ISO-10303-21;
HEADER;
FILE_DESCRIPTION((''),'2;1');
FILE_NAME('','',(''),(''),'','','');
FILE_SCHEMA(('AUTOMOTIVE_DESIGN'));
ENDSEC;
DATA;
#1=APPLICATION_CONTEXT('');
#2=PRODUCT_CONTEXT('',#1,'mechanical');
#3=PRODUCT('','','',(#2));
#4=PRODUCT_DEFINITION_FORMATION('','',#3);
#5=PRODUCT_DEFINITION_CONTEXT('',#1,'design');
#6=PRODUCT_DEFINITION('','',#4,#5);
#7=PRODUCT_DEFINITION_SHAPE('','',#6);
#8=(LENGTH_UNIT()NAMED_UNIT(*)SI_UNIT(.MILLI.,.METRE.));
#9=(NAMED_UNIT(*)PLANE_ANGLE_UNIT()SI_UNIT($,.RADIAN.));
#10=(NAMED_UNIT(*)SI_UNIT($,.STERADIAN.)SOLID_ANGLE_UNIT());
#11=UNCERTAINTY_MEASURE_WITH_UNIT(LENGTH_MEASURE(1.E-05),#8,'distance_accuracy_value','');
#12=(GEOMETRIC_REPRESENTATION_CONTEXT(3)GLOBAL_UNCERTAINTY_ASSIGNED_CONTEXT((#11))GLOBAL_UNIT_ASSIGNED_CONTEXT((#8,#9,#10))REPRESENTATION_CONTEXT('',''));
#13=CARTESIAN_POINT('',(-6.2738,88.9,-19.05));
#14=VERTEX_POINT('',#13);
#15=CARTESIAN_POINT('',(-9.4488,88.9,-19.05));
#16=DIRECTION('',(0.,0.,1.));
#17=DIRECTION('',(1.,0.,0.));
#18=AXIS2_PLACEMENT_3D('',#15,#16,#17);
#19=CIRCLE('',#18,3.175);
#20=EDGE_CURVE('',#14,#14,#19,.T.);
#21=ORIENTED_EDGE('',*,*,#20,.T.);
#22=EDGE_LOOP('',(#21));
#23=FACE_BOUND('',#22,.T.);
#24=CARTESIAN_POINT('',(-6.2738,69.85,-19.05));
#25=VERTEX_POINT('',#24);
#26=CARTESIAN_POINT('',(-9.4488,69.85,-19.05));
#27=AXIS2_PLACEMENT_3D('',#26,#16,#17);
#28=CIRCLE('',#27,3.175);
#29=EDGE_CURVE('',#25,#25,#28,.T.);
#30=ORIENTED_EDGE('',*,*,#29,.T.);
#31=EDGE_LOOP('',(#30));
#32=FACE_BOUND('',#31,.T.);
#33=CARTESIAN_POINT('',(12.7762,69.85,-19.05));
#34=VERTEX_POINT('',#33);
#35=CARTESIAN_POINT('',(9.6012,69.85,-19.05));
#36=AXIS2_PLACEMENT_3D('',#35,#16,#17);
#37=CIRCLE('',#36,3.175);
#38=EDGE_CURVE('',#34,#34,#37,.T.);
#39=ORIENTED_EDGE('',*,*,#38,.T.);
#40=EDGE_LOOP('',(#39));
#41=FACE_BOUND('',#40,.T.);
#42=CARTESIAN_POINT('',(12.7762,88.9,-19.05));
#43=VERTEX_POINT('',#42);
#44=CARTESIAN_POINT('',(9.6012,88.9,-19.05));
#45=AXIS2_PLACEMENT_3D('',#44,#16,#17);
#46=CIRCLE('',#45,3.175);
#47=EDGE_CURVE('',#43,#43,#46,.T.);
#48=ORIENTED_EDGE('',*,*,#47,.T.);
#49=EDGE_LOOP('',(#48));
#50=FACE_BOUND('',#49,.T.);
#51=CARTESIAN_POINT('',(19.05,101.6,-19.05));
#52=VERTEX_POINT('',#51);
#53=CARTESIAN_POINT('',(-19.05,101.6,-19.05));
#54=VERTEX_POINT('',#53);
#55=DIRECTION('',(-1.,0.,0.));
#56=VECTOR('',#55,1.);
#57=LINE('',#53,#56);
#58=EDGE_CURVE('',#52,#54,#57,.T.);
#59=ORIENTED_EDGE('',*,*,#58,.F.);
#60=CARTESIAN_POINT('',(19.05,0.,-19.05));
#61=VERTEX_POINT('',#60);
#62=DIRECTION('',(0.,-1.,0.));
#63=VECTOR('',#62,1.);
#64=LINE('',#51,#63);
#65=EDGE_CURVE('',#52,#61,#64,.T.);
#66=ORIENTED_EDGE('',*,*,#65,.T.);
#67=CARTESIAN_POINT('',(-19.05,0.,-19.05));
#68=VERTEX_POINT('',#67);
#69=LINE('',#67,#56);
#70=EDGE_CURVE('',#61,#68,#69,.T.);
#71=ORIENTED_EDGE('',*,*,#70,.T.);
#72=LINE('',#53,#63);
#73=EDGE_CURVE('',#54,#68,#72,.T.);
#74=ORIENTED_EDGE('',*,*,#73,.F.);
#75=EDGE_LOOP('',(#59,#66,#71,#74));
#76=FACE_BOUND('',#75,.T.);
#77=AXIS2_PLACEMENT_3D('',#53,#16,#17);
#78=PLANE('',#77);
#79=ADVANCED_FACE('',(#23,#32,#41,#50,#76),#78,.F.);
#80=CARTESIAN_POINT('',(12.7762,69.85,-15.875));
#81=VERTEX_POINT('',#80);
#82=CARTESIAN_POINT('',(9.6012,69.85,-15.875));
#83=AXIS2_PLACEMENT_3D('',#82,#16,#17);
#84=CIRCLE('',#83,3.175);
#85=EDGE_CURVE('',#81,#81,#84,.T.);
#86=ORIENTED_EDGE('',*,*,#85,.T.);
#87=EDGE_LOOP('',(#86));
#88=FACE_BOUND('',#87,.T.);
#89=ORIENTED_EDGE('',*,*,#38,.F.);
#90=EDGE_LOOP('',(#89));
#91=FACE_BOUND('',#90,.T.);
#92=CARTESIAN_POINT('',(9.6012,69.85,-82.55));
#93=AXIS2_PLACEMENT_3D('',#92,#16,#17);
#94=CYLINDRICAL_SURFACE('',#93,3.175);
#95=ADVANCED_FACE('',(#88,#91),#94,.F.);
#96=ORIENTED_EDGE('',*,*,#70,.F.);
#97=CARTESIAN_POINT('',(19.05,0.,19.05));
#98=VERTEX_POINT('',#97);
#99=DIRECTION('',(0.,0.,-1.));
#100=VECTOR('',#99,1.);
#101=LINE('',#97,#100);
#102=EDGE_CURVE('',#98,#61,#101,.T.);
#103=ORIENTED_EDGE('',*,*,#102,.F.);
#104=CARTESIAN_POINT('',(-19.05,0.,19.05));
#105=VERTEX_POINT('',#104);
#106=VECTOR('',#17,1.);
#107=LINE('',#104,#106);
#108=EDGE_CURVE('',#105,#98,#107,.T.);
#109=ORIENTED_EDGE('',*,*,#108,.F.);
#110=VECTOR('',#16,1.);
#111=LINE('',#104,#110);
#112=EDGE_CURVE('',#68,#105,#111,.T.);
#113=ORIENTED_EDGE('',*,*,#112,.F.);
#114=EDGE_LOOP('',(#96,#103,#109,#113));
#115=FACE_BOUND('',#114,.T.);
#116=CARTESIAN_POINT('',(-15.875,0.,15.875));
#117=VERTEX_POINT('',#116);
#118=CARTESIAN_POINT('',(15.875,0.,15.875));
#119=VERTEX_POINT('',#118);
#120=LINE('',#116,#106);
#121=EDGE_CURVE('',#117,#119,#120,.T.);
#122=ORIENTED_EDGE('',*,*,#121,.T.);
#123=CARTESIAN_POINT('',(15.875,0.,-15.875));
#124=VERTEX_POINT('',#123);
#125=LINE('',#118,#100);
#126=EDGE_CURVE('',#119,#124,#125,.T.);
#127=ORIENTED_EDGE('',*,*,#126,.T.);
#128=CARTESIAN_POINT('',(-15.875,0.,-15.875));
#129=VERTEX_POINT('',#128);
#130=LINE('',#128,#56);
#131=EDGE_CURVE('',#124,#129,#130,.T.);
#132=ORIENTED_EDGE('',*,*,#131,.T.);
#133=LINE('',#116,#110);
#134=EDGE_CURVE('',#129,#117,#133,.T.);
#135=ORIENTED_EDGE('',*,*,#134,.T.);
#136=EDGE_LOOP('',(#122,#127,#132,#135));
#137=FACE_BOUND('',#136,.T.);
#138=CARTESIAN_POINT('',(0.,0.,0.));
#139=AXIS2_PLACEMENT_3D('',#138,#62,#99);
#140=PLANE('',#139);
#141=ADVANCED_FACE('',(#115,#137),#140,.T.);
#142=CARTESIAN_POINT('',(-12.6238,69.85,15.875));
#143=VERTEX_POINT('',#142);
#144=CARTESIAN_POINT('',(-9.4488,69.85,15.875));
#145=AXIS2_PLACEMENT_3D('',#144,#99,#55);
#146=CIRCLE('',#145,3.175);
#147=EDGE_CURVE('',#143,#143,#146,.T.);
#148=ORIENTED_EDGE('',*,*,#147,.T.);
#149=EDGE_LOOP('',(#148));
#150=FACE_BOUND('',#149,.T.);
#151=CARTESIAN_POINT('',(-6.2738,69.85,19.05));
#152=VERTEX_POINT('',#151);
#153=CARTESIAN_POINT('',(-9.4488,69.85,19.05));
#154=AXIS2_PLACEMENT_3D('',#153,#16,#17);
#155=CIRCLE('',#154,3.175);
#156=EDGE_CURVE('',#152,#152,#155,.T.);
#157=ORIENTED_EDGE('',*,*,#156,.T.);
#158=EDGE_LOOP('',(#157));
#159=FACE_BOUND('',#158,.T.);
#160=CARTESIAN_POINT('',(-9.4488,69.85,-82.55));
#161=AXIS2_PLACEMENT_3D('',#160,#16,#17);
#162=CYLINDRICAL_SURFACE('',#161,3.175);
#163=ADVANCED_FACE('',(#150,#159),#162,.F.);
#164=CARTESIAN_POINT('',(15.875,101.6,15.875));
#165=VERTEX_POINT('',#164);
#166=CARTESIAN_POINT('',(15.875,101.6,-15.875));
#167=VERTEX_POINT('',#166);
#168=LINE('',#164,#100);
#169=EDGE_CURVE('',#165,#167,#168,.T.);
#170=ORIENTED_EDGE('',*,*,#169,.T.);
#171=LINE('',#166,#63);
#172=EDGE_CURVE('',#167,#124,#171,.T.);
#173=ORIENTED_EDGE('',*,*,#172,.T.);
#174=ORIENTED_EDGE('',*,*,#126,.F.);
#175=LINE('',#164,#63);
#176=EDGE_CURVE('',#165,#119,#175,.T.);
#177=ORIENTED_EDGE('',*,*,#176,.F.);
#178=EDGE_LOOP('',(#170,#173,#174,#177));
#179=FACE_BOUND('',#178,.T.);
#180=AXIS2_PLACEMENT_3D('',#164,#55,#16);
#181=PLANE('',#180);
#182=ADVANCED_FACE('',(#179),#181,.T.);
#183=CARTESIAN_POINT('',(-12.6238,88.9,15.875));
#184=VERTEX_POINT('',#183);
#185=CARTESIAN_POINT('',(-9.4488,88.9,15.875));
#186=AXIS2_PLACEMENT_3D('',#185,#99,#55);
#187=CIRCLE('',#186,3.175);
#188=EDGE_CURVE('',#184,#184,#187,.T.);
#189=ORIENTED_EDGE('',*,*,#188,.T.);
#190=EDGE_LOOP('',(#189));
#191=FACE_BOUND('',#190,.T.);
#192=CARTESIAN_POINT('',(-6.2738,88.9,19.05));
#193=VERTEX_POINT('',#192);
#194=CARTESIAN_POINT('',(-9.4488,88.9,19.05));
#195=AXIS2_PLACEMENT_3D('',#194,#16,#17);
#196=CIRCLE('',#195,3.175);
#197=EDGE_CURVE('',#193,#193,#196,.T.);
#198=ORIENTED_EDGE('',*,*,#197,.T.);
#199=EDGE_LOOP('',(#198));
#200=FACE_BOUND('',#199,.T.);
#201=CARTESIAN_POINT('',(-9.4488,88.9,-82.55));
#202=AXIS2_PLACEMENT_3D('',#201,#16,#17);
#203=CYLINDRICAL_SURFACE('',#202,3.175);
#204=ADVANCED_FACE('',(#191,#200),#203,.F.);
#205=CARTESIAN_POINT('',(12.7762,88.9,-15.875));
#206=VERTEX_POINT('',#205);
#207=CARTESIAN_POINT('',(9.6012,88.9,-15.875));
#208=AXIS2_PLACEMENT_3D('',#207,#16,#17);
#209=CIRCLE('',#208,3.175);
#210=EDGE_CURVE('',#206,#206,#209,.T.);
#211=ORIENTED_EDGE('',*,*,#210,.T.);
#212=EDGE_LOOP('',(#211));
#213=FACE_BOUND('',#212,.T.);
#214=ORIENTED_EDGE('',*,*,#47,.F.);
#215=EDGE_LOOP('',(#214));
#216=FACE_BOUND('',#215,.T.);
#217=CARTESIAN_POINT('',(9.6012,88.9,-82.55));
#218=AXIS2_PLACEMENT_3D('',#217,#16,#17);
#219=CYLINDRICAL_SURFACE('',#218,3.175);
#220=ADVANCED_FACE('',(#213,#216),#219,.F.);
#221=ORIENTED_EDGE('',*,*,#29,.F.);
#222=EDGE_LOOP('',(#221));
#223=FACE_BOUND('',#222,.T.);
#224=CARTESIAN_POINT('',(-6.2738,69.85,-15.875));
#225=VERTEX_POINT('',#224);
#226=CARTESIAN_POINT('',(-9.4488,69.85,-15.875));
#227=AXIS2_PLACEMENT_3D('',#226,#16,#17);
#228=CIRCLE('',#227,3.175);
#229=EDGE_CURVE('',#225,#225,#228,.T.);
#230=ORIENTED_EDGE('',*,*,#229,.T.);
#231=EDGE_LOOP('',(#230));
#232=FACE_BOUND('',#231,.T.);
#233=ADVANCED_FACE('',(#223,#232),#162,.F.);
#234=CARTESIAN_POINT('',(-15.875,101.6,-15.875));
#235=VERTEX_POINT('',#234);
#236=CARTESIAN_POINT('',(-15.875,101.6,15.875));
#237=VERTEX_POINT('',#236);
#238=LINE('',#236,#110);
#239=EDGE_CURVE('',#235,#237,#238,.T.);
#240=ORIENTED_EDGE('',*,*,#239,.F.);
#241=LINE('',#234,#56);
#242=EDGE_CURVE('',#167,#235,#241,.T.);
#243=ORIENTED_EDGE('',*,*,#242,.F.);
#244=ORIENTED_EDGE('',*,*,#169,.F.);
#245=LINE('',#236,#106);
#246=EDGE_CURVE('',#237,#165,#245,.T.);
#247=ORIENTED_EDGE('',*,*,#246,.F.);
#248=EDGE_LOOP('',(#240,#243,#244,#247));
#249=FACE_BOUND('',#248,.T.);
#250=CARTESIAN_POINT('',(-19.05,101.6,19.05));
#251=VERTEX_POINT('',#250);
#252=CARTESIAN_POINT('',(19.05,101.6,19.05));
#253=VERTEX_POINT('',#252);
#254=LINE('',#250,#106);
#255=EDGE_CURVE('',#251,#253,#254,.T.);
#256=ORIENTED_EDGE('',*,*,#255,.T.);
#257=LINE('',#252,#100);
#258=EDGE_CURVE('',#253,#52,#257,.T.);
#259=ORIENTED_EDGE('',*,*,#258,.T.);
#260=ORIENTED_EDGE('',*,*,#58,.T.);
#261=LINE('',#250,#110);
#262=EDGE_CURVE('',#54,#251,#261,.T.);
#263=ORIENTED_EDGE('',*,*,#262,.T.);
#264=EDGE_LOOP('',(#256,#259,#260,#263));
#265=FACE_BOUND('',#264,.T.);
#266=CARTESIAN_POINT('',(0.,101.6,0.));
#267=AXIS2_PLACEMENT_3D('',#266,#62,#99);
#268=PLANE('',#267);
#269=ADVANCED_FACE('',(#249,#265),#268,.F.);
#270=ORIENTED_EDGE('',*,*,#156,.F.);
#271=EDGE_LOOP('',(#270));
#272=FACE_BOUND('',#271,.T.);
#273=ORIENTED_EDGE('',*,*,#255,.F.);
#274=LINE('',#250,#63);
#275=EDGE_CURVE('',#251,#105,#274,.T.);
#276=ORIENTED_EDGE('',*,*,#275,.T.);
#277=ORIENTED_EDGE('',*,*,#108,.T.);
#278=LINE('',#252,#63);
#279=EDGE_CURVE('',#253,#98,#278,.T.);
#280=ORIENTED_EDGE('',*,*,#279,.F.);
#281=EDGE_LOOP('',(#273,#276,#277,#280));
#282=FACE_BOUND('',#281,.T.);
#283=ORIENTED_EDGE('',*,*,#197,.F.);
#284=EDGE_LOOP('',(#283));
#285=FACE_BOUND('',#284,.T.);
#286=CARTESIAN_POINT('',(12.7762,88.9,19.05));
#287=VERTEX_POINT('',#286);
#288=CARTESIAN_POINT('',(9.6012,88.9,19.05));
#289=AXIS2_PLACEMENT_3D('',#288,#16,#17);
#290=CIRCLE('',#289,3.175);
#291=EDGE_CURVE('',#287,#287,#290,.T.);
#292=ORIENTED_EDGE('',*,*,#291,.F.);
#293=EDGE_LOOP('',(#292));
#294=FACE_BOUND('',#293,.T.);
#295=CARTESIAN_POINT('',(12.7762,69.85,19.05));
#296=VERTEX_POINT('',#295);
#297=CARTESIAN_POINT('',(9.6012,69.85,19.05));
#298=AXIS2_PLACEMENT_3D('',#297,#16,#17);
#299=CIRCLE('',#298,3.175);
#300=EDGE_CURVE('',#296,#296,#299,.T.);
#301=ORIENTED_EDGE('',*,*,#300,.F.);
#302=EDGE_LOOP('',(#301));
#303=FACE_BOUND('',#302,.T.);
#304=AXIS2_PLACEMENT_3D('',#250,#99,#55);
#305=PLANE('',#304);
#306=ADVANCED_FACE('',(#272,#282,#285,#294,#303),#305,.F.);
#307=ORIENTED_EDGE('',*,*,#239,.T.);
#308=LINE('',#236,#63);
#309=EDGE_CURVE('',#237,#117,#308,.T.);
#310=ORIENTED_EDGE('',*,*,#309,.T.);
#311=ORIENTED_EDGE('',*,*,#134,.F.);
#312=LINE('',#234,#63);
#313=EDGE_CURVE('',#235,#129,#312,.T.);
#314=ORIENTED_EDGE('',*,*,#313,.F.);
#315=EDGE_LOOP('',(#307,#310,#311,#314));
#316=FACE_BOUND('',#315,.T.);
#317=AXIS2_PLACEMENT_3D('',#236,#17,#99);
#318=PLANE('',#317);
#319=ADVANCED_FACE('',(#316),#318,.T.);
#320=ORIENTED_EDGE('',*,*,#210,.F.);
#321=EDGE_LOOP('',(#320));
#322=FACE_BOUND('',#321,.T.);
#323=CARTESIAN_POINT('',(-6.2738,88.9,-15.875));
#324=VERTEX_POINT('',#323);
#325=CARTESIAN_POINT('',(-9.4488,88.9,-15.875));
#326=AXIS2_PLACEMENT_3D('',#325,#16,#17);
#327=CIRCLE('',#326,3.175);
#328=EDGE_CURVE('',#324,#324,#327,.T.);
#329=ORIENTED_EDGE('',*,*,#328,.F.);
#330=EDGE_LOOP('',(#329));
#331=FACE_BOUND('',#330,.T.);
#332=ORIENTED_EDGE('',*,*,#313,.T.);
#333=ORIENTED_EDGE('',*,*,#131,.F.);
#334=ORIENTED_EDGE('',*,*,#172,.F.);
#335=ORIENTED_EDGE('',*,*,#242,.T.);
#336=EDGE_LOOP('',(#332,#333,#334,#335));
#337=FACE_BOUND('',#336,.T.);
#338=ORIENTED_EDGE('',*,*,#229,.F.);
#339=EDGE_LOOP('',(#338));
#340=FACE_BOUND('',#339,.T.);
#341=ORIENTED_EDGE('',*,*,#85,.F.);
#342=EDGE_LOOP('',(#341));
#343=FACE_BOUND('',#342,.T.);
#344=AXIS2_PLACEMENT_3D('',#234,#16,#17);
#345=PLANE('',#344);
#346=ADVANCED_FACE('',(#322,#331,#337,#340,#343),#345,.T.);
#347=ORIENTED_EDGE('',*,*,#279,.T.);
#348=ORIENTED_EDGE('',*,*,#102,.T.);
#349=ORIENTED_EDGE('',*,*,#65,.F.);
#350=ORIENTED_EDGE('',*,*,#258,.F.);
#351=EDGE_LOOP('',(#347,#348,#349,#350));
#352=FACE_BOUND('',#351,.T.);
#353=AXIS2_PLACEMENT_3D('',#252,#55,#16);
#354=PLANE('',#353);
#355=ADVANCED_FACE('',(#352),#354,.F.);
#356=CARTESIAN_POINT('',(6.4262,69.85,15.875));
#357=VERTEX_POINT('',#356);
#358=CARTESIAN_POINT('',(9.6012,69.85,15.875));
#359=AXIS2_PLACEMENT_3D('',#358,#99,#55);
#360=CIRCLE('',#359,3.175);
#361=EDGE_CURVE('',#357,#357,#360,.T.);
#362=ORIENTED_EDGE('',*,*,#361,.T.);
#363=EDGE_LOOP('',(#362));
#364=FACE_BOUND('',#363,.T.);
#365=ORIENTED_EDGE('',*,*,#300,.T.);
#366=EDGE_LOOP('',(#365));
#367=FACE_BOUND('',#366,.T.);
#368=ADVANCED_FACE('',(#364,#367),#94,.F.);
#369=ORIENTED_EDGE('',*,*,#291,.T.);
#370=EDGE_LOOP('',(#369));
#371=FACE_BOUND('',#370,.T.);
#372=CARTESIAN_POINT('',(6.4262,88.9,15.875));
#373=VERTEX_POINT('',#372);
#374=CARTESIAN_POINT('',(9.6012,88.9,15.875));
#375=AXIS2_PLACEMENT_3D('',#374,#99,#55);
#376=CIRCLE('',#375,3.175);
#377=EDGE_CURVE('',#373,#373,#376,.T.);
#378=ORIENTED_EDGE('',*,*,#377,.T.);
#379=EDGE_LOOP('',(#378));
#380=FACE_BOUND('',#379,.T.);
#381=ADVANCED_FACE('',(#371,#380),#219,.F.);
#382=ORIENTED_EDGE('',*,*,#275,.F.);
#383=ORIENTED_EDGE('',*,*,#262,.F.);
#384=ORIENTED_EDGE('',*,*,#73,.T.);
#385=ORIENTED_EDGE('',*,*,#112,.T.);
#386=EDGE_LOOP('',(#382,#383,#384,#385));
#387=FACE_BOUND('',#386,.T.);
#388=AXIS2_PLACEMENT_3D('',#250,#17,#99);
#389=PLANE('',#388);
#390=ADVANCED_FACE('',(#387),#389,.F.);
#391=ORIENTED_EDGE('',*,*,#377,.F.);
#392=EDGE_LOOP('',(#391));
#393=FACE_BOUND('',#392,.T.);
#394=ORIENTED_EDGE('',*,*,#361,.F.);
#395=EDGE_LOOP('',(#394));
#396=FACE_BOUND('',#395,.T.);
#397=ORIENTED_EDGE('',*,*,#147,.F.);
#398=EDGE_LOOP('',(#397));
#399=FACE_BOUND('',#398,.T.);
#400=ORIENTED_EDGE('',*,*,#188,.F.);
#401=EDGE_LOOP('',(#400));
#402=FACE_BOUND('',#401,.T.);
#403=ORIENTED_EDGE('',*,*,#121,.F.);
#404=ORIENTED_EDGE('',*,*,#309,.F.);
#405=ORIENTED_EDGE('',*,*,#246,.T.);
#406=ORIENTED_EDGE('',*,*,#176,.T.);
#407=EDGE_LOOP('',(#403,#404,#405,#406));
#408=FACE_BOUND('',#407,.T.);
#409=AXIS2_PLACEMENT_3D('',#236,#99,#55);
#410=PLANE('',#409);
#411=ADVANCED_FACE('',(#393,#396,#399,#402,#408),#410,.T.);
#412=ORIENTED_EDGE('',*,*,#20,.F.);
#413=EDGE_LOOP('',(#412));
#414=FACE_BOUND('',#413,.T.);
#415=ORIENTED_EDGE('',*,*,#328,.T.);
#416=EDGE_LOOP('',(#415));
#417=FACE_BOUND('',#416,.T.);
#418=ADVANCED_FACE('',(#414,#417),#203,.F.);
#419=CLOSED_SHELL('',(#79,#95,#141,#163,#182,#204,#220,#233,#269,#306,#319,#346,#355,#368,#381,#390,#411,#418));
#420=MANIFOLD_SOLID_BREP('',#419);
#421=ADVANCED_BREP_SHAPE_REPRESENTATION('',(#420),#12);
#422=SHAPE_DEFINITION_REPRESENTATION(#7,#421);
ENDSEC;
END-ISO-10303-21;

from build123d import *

# Parameters (mm, degrees)
SKETCH1_W            = 38.1
SKETCH1_H            = 38.1
SKETCH1_W_2          = 31.75
SKETCH1_H_2          = 31.75
BOSS_EXTRUDE1_DEPTH  = 101.6
SKETCH2_R            = 3.175
CUT_EXTRUDE1_DEPTH   = 101.6
LPATTERN1_COUNT      = 2
LPATTERN1_PITCH      = 19.05
LPATTERN1_COUNT_DIR2 = 2
LPATTERN1_PITCH_DIR2 = 19.05


with BuildPart() as part:
    # Sketch1 → Boss-Extrude1 (new body)
    with BuildSketch(Plane(origin=(0, 0, 0), x_dir=(1, 0, 0), z_dir=(0, 1, 0))):
        Rectangle(SKETCH1_W, SKETCH1_H)
        Rectangle(SKETCH1_W_2, SKETCH1_H_2, mode=Mode.SUBTRACT)
    extrude(amount=BOSS_EXTRUDE1_DEPTH)

    # Sketch2 → Cut-Extrude1 (cut)
    with BuildSketch(Plane.XY.offset(19.05)):
        with Locations((-9.4488, 69.85)):
            Circle(SKETCH2_R)
    cut_extrude1 = extrude(amount=-CUT_EXTRUDE1_DEPTH, mode=Mode.SUBTRACT)

    # LPattern1: Cut-Extrude1 2 × 2
    with Locations(*[(i * LPATTERN1_PITCH, j * LPATTERN1_PITCH_DIR2, 0) for i in range(LPATTERN1_COUNT) for j in range(LPATTERN1_COUNT_DIR2) if (i, j) != (0, 0)]):
        add(cut_extrude1, mode=Mode.SUBTRACT)


solid = part.part
